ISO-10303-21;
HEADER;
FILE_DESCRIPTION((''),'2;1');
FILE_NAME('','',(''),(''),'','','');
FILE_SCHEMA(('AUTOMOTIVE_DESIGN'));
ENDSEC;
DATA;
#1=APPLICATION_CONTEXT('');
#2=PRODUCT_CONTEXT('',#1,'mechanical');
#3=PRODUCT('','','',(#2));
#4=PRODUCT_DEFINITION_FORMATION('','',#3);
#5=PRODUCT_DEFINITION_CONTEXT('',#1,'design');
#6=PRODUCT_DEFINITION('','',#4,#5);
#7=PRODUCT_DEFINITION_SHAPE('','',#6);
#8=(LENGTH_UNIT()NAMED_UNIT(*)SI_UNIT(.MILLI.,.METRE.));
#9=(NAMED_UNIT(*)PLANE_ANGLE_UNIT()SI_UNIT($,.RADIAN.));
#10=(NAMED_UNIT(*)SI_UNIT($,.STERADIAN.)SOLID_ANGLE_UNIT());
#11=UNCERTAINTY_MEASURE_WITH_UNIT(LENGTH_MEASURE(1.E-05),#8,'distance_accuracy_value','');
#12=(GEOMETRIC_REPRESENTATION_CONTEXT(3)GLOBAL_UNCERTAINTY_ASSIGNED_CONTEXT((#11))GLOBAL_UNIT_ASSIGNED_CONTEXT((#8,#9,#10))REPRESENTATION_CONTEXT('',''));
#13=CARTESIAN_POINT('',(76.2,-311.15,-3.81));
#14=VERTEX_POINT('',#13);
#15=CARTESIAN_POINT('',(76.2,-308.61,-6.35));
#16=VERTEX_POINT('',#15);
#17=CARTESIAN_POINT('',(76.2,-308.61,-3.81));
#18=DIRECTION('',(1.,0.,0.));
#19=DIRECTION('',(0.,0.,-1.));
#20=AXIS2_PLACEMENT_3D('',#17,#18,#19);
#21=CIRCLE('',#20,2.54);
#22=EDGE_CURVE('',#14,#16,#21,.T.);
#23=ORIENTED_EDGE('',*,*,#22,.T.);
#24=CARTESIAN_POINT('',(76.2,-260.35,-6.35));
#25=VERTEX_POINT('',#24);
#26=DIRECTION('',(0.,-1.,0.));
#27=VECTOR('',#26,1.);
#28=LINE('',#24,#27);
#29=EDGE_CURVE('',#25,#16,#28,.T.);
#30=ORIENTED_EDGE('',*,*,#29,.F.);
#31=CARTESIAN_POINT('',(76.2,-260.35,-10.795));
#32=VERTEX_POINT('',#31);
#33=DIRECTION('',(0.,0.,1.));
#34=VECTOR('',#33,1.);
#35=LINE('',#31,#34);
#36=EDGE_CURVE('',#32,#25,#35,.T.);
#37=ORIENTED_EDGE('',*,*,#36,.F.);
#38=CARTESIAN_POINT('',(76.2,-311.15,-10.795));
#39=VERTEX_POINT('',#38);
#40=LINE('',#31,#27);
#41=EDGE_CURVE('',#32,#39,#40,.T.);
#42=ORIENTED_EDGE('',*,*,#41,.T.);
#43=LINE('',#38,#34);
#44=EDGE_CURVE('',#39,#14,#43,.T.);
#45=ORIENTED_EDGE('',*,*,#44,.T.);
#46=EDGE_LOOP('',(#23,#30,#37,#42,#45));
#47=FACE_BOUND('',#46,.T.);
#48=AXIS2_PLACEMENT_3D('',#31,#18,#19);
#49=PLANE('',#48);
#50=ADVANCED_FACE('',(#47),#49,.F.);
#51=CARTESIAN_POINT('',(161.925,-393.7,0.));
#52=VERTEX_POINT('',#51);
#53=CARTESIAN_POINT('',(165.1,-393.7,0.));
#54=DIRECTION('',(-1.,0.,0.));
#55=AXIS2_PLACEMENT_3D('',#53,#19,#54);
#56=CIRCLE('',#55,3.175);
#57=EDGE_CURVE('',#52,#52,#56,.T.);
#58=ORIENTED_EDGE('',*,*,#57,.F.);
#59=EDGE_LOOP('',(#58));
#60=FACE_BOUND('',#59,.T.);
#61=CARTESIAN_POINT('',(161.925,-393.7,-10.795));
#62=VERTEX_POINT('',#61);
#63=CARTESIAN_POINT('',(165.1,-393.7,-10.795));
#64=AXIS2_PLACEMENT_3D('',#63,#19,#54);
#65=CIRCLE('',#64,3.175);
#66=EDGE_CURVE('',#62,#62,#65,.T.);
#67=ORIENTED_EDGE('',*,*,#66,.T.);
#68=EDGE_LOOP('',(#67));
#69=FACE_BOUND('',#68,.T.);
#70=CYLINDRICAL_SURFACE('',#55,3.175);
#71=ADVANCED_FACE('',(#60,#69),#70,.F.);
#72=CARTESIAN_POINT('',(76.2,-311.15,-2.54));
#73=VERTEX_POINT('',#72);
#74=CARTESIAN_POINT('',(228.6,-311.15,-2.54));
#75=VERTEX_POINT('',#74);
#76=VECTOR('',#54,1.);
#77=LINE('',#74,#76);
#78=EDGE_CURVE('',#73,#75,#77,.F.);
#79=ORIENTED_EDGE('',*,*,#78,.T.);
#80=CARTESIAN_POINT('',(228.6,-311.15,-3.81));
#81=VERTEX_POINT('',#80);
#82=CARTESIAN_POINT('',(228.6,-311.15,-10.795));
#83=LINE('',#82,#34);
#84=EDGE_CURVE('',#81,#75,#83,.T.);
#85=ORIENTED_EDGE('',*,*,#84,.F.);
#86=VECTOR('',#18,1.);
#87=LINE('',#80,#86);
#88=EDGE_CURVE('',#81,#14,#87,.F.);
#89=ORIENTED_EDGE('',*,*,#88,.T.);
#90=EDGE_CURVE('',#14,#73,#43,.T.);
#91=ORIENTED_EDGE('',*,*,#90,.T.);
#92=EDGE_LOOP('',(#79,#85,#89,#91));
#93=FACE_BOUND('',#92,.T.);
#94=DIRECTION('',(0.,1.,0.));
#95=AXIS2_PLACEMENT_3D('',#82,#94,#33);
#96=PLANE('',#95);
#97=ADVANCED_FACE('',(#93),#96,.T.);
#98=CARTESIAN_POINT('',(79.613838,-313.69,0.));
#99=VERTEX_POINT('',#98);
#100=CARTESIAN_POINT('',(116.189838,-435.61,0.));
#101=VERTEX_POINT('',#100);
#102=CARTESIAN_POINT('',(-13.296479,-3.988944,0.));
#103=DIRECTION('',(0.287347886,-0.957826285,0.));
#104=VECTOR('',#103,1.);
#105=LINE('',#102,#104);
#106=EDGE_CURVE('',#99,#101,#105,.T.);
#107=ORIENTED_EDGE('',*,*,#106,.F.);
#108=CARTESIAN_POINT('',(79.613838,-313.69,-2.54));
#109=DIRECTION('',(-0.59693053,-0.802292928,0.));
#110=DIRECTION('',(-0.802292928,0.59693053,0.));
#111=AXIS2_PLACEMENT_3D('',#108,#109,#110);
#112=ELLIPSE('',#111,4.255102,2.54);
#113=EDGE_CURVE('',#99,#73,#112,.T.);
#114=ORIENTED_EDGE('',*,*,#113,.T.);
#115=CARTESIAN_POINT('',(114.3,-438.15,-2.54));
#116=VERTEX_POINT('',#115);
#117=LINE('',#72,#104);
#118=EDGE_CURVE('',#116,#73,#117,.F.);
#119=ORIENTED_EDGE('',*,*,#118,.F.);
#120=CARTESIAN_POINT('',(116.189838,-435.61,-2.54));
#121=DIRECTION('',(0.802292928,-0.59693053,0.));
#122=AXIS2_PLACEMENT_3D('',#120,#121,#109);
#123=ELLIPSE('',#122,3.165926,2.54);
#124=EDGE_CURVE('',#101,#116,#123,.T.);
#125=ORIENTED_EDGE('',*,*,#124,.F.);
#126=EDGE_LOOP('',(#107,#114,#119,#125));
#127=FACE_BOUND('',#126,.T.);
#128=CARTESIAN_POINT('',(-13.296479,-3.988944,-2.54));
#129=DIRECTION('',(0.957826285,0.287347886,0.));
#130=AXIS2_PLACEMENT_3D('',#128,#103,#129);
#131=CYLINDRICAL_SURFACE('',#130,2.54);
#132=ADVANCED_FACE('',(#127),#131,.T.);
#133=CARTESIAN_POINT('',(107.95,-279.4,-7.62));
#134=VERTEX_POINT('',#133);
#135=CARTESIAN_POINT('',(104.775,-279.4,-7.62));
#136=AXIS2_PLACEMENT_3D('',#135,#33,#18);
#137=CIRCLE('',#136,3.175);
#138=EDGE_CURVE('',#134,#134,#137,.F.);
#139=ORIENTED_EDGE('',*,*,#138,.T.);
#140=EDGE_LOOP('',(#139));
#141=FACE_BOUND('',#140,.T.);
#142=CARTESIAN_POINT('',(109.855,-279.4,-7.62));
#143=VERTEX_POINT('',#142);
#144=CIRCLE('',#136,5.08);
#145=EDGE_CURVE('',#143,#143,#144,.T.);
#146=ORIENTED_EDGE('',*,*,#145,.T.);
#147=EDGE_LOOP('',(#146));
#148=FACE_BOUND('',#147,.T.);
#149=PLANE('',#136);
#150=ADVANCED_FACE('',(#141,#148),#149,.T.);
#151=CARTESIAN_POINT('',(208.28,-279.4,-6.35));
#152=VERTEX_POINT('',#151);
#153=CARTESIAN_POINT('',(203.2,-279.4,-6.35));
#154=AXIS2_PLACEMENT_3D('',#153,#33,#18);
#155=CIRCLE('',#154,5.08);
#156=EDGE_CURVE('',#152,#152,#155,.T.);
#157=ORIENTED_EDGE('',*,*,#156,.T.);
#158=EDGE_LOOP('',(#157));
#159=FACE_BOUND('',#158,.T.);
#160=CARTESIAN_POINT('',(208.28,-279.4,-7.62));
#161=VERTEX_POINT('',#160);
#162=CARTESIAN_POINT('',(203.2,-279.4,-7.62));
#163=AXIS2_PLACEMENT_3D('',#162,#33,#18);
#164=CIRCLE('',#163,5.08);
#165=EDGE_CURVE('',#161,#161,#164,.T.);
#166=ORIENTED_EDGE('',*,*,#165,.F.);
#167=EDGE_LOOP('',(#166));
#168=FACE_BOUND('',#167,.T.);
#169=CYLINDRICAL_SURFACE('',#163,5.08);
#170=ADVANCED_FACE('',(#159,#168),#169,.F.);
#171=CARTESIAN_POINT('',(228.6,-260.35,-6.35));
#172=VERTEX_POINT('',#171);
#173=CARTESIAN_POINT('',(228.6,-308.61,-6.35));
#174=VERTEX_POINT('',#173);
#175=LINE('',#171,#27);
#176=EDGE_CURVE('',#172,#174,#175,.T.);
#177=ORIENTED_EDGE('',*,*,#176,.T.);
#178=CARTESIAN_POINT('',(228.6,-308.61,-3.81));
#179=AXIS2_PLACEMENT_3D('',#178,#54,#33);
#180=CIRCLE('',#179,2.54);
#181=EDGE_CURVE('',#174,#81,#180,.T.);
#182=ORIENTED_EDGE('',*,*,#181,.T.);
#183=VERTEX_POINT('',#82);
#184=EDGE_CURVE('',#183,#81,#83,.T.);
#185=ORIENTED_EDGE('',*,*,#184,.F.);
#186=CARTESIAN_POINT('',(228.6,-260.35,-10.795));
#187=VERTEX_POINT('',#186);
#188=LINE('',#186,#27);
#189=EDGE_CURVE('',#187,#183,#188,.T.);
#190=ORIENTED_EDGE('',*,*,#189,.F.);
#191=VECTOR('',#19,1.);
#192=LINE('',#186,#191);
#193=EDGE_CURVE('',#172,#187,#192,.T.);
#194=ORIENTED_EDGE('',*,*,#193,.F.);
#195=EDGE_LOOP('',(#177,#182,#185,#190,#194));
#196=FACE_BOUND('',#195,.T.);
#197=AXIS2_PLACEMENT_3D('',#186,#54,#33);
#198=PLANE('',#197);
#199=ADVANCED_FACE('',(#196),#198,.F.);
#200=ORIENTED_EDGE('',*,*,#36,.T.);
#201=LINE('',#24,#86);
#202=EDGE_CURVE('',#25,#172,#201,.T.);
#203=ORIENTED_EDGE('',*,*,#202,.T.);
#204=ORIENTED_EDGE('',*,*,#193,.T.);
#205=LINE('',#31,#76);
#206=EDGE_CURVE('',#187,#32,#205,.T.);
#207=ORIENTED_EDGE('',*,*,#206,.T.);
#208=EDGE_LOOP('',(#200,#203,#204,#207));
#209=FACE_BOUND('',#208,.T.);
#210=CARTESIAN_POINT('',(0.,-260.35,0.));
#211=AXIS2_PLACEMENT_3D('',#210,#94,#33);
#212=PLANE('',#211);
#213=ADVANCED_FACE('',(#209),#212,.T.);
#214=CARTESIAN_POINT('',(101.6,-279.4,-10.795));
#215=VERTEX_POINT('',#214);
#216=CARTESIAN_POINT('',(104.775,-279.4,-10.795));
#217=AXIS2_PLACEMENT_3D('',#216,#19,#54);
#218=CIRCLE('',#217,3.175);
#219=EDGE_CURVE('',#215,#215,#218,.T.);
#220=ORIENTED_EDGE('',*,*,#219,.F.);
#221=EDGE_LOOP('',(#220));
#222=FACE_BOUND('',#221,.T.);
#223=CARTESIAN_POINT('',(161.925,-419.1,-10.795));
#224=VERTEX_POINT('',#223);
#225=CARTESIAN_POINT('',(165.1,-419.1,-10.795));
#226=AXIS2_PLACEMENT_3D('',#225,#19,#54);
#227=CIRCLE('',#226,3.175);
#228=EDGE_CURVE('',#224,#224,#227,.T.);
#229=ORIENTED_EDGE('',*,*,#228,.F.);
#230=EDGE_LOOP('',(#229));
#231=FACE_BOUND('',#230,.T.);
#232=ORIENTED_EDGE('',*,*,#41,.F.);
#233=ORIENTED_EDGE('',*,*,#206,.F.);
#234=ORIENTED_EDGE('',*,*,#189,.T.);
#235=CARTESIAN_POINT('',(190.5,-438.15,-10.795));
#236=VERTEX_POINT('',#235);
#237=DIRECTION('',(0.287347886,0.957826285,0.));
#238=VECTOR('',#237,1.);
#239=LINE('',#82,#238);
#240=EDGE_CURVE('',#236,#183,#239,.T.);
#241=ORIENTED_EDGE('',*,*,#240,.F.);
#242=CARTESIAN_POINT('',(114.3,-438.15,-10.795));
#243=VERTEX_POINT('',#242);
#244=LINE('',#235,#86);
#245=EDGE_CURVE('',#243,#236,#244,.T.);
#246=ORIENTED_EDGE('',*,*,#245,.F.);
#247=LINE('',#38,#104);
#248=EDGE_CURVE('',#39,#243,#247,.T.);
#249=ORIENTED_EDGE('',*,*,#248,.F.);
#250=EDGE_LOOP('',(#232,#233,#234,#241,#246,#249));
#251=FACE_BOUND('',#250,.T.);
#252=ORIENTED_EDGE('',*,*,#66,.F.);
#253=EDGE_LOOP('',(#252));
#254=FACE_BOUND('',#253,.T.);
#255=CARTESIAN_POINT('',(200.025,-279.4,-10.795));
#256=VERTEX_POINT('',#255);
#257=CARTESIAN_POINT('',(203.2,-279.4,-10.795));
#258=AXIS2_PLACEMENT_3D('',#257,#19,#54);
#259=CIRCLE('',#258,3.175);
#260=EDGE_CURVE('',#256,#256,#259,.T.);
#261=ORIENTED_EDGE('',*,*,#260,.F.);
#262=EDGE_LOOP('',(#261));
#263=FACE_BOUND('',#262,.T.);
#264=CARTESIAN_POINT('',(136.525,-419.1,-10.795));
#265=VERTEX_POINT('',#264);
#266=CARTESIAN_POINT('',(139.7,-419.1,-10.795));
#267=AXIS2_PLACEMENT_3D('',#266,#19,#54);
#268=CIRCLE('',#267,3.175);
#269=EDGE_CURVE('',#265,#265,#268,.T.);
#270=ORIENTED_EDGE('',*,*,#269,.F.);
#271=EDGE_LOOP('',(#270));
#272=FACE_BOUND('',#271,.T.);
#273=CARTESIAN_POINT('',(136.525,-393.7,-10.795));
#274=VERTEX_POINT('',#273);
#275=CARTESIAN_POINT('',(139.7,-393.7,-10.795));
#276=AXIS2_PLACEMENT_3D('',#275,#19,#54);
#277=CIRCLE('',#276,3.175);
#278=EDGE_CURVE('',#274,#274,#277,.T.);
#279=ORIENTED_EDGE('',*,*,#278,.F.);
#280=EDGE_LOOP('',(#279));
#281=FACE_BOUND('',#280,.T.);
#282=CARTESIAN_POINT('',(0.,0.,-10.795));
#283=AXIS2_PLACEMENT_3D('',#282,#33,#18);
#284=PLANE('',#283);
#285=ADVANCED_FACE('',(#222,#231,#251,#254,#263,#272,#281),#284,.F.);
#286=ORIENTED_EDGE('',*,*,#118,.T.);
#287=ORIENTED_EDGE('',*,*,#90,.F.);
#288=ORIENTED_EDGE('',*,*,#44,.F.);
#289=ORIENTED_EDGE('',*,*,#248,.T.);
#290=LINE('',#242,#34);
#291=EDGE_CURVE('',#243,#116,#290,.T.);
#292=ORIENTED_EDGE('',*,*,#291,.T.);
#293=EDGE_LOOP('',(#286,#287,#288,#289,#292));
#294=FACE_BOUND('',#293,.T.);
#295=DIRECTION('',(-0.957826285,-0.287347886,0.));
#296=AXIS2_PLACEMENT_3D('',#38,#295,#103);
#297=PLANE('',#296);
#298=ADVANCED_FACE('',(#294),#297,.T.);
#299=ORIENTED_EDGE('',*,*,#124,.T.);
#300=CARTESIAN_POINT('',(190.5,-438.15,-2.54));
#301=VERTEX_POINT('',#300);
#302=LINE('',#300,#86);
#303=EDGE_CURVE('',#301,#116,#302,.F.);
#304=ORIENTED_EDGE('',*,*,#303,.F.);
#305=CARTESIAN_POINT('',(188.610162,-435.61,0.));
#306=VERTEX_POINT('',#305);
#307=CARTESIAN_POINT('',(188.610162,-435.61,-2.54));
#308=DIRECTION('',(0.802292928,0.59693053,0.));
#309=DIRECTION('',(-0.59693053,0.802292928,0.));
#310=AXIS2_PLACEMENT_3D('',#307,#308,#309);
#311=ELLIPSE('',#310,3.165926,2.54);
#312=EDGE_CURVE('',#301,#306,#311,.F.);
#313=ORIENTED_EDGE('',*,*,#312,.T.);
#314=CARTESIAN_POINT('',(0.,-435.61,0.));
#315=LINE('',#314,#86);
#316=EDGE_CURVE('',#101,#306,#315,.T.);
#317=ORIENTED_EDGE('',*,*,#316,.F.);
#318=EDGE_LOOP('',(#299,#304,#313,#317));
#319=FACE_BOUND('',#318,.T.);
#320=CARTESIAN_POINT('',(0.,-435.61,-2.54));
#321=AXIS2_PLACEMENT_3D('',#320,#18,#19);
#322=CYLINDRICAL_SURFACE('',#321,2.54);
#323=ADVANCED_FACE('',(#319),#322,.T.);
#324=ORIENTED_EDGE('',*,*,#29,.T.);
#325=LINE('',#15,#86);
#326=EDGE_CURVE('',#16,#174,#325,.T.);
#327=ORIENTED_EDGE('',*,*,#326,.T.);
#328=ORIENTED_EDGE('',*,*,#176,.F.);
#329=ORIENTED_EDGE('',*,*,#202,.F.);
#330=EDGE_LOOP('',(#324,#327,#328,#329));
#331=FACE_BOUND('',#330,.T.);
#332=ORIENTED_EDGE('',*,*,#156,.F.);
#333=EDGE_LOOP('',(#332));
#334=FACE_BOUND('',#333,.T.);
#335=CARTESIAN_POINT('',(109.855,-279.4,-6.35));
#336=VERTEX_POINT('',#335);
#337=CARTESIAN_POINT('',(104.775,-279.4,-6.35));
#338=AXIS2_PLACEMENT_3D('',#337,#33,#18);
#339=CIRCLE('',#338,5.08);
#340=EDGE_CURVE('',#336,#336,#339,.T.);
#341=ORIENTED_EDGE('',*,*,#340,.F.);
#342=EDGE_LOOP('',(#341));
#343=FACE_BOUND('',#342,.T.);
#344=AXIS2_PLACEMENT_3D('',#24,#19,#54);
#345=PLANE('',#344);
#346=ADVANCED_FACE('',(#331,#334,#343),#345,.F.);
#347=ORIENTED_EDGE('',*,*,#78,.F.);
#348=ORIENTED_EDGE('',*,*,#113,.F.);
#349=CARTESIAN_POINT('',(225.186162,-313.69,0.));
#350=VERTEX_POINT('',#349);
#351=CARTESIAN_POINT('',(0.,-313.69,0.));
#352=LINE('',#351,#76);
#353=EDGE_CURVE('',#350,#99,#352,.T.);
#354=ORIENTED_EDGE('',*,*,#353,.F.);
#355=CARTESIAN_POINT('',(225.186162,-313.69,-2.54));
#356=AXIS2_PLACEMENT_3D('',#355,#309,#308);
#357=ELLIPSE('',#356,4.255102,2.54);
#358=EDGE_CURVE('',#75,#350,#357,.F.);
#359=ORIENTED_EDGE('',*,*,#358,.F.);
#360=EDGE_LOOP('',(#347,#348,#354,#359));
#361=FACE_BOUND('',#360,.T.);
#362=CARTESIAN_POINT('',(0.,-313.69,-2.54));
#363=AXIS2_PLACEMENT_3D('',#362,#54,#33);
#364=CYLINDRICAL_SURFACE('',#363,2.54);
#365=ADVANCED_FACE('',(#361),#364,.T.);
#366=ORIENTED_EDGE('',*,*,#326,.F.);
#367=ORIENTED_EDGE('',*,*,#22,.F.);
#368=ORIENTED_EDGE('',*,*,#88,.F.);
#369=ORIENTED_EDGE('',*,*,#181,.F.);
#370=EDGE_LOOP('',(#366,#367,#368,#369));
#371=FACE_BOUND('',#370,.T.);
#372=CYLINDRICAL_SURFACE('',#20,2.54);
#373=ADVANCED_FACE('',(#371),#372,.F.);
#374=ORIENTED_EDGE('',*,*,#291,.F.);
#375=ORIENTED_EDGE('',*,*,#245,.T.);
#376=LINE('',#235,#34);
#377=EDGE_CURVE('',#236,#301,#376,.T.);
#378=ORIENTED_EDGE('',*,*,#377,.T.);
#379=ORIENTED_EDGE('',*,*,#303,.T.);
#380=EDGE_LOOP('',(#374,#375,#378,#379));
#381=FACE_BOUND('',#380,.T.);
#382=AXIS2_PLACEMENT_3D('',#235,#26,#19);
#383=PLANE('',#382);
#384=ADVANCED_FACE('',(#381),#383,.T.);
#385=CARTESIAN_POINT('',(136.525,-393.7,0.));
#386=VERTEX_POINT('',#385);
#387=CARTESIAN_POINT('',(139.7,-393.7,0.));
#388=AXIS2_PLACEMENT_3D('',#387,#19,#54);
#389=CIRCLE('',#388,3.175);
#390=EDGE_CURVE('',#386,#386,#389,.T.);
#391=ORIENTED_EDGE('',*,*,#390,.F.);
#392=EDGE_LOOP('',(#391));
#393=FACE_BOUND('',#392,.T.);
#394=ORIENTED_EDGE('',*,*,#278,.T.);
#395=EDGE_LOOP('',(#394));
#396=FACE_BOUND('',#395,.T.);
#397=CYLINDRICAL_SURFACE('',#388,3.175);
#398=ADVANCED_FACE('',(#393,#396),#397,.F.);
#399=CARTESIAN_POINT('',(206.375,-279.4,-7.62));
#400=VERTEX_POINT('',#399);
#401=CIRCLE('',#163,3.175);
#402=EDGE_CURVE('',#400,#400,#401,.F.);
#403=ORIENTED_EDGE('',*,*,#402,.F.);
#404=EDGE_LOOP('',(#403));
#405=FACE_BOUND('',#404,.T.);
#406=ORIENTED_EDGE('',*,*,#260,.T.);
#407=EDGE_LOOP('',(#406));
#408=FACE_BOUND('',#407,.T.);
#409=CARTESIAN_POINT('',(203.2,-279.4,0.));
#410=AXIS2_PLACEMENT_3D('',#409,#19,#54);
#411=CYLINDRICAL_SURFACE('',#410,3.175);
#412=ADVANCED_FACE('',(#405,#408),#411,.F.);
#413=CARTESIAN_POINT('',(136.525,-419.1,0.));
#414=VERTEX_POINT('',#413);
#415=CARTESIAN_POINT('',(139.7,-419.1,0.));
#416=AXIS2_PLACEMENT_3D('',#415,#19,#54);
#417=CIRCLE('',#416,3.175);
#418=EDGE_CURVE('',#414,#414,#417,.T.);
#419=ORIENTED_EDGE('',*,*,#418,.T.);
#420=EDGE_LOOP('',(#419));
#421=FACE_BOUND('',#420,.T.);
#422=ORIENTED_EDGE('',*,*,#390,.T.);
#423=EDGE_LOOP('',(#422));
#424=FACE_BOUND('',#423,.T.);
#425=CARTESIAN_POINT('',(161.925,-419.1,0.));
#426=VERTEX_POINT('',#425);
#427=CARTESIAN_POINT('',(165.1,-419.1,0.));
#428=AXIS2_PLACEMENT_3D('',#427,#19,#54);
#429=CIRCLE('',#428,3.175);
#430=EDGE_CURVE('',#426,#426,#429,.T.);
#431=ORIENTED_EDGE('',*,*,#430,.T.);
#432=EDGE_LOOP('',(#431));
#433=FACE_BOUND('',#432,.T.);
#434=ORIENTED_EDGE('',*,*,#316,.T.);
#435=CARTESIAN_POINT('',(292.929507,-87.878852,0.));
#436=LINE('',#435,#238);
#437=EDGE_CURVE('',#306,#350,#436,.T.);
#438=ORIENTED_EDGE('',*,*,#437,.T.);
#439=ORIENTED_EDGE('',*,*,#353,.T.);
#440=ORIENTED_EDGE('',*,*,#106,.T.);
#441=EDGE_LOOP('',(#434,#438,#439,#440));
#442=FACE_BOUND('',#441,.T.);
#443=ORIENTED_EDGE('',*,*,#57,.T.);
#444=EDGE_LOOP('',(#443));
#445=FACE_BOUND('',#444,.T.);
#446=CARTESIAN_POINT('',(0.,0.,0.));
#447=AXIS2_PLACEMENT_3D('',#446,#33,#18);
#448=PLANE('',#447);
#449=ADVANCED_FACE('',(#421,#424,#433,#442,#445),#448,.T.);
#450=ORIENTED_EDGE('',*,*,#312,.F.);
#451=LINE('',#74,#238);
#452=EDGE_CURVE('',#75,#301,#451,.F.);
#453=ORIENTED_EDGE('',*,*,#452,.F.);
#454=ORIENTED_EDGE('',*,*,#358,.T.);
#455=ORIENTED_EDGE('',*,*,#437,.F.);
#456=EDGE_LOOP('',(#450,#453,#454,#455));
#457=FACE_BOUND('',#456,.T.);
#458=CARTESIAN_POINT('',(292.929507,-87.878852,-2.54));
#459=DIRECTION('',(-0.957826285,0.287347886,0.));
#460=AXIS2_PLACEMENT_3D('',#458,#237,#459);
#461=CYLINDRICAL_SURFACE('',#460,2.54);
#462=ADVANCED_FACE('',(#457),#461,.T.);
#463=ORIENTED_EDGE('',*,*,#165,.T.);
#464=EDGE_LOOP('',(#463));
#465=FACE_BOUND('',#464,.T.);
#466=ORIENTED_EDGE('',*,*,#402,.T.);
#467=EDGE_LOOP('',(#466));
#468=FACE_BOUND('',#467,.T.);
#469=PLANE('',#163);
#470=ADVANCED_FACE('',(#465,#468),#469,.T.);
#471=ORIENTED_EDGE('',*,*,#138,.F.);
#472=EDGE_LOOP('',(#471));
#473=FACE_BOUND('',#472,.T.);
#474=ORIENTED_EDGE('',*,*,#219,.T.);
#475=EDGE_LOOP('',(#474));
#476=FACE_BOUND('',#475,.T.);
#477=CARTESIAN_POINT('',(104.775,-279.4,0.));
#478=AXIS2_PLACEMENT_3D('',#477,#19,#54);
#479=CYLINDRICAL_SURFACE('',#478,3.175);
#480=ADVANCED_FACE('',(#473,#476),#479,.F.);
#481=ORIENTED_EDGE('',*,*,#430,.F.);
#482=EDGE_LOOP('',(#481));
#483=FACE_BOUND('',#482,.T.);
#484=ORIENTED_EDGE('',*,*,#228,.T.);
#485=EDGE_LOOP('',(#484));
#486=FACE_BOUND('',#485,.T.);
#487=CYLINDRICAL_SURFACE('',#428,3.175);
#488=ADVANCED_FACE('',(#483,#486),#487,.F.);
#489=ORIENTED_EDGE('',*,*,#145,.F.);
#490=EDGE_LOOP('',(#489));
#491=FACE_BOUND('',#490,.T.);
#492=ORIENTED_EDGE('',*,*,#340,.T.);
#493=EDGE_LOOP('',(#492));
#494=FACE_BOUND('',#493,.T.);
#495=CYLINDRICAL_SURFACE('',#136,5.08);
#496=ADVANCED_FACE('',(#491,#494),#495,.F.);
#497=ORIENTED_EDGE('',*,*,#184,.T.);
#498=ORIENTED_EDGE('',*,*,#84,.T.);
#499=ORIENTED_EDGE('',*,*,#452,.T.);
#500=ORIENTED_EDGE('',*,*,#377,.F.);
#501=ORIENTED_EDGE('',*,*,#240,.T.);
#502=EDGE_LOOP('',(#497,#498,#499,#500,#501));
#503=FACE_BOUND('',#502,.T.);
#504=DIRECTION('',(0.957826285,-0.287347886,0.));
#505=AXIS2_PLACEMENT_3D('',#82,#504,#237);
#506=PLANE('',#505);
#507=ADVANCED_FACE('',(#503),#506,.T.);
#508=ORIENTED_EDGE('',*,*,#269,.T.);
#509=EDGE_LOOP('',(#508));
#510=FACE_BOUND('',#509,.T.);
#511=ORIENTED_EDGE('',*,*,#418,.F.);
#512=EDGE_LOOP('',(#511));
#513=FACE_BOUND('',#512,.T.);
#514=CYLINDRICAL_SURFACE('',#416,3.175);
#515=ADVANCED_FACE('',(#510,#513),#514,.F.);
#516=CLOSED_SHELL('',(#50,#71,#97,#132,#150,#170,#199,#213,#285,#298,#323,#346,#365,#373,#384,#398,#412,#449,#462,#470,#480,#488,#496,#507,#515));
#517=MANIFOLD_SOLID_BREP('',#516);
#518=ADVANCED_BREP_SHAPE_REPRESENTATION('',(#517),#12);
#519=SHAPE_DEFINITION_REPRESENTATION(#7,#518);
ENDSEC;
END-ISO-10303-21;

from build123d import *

# Parameters (mm, degrees)
BOSS_EXTRUDE1_DEPTH = 10.795
SKETCH2_W           = 152.4
SKETCH2_H           = 4.445
BOSS_EXTRUDE2_DEPTH = 50.8
SKETCH3_R           = 3.175
CUT_EXTRUDE1_DEPTH  = 495.317625141
FILLET1_R           = 2.54
FILLET2_R           = 2.54
SKETCH4_R           = 5.08
CUT_EXTRUDE2_DEPTH  = 1.27


with BuildPart() as part:
    # Sketch1 → Boss-Extrude1 (new body)
    with BuildSketch(Plane.XY):
        Polygon((228.6, -311.15), (190.5, -438.15), (114.3, -438.15), (76.2, -311.15), align=None)
    extrude(amount=-BOSS_EXTRUDE1_DEPTH)

    # Sketch2 → Boss-Extrude2 (add)
    with BuildSketch(Plane(origin=(0, -311.15, 0), x_dir=(1, 0, 0), z_dir=(0, 1, 0))):
        with Locations((152.4, 8.5725)):
            Rectangle(SKETCH2_W, SKETCH2_H)
    extrude(amount=BOSS_EXTRUDE2_DEPTH)

    # Sketch3 → Cut-Extrude1 (cut, through all)
    with BuildSketch(Plane(origin=(0, 0, -10.795), x_dir=(-1, 0, 0), z_dir=(0, 0, -1))):
        with Locations((-104.775, -279.4)):
            Circle(SKETCH3_R)
        with Locations((-203.2, -279.4)):
            Circle(SKETCH3_R)
        with Locations((-139.7, -393.7)):
            Circle(SKETCH3_R)
        with Locations((-165.1, -393.7)):
            Circle(SKETCH3_R)
        with Locations((-139.7, -419.1)):
            Circle(SKETCH3_R)
        with Locations((-165.1, -419.1)):
            Circle(SKETCH3_R)
    extrude(amount=-CUT_EXTRUDE1_DEPTH, mode=Mode.SUBTRACT)

    # Fillet1
    fillet1_edges = [part.edges().sort_by_distance(p)[0] for p in [
        (152.4, -311.15, -6.35),
    ]]
    fillet(fillet1_edges, radius=FILLET1_R)

    # Fillet2
    fillet2_edges = [part.edges().sort_by_distance(p)[0] for p in [
        (209.55, -374.65, 0),
        (152.4, -438.15, 0),
        (95.25, -374.65, 0),
        (152.4, -311.15, 0),
    ]]
    fillet(fillet2_edges, radius=FILLET2_R)

    # Sketch4 → Cut-Extrude2 (cut)
    with BuildSketch(Plane.XY.offset(-6.35)):
        with Locations((104.775, -279.4)):
            Circle(SKETCH4_R)
        with Locations((203.2, -279.4)):
            Circle(SKETCH4_R)
    extrude(amount=-CUT_EXTRUDE2_DEPTH, mode=Mode.SUBTRACT)


solid = part.part
